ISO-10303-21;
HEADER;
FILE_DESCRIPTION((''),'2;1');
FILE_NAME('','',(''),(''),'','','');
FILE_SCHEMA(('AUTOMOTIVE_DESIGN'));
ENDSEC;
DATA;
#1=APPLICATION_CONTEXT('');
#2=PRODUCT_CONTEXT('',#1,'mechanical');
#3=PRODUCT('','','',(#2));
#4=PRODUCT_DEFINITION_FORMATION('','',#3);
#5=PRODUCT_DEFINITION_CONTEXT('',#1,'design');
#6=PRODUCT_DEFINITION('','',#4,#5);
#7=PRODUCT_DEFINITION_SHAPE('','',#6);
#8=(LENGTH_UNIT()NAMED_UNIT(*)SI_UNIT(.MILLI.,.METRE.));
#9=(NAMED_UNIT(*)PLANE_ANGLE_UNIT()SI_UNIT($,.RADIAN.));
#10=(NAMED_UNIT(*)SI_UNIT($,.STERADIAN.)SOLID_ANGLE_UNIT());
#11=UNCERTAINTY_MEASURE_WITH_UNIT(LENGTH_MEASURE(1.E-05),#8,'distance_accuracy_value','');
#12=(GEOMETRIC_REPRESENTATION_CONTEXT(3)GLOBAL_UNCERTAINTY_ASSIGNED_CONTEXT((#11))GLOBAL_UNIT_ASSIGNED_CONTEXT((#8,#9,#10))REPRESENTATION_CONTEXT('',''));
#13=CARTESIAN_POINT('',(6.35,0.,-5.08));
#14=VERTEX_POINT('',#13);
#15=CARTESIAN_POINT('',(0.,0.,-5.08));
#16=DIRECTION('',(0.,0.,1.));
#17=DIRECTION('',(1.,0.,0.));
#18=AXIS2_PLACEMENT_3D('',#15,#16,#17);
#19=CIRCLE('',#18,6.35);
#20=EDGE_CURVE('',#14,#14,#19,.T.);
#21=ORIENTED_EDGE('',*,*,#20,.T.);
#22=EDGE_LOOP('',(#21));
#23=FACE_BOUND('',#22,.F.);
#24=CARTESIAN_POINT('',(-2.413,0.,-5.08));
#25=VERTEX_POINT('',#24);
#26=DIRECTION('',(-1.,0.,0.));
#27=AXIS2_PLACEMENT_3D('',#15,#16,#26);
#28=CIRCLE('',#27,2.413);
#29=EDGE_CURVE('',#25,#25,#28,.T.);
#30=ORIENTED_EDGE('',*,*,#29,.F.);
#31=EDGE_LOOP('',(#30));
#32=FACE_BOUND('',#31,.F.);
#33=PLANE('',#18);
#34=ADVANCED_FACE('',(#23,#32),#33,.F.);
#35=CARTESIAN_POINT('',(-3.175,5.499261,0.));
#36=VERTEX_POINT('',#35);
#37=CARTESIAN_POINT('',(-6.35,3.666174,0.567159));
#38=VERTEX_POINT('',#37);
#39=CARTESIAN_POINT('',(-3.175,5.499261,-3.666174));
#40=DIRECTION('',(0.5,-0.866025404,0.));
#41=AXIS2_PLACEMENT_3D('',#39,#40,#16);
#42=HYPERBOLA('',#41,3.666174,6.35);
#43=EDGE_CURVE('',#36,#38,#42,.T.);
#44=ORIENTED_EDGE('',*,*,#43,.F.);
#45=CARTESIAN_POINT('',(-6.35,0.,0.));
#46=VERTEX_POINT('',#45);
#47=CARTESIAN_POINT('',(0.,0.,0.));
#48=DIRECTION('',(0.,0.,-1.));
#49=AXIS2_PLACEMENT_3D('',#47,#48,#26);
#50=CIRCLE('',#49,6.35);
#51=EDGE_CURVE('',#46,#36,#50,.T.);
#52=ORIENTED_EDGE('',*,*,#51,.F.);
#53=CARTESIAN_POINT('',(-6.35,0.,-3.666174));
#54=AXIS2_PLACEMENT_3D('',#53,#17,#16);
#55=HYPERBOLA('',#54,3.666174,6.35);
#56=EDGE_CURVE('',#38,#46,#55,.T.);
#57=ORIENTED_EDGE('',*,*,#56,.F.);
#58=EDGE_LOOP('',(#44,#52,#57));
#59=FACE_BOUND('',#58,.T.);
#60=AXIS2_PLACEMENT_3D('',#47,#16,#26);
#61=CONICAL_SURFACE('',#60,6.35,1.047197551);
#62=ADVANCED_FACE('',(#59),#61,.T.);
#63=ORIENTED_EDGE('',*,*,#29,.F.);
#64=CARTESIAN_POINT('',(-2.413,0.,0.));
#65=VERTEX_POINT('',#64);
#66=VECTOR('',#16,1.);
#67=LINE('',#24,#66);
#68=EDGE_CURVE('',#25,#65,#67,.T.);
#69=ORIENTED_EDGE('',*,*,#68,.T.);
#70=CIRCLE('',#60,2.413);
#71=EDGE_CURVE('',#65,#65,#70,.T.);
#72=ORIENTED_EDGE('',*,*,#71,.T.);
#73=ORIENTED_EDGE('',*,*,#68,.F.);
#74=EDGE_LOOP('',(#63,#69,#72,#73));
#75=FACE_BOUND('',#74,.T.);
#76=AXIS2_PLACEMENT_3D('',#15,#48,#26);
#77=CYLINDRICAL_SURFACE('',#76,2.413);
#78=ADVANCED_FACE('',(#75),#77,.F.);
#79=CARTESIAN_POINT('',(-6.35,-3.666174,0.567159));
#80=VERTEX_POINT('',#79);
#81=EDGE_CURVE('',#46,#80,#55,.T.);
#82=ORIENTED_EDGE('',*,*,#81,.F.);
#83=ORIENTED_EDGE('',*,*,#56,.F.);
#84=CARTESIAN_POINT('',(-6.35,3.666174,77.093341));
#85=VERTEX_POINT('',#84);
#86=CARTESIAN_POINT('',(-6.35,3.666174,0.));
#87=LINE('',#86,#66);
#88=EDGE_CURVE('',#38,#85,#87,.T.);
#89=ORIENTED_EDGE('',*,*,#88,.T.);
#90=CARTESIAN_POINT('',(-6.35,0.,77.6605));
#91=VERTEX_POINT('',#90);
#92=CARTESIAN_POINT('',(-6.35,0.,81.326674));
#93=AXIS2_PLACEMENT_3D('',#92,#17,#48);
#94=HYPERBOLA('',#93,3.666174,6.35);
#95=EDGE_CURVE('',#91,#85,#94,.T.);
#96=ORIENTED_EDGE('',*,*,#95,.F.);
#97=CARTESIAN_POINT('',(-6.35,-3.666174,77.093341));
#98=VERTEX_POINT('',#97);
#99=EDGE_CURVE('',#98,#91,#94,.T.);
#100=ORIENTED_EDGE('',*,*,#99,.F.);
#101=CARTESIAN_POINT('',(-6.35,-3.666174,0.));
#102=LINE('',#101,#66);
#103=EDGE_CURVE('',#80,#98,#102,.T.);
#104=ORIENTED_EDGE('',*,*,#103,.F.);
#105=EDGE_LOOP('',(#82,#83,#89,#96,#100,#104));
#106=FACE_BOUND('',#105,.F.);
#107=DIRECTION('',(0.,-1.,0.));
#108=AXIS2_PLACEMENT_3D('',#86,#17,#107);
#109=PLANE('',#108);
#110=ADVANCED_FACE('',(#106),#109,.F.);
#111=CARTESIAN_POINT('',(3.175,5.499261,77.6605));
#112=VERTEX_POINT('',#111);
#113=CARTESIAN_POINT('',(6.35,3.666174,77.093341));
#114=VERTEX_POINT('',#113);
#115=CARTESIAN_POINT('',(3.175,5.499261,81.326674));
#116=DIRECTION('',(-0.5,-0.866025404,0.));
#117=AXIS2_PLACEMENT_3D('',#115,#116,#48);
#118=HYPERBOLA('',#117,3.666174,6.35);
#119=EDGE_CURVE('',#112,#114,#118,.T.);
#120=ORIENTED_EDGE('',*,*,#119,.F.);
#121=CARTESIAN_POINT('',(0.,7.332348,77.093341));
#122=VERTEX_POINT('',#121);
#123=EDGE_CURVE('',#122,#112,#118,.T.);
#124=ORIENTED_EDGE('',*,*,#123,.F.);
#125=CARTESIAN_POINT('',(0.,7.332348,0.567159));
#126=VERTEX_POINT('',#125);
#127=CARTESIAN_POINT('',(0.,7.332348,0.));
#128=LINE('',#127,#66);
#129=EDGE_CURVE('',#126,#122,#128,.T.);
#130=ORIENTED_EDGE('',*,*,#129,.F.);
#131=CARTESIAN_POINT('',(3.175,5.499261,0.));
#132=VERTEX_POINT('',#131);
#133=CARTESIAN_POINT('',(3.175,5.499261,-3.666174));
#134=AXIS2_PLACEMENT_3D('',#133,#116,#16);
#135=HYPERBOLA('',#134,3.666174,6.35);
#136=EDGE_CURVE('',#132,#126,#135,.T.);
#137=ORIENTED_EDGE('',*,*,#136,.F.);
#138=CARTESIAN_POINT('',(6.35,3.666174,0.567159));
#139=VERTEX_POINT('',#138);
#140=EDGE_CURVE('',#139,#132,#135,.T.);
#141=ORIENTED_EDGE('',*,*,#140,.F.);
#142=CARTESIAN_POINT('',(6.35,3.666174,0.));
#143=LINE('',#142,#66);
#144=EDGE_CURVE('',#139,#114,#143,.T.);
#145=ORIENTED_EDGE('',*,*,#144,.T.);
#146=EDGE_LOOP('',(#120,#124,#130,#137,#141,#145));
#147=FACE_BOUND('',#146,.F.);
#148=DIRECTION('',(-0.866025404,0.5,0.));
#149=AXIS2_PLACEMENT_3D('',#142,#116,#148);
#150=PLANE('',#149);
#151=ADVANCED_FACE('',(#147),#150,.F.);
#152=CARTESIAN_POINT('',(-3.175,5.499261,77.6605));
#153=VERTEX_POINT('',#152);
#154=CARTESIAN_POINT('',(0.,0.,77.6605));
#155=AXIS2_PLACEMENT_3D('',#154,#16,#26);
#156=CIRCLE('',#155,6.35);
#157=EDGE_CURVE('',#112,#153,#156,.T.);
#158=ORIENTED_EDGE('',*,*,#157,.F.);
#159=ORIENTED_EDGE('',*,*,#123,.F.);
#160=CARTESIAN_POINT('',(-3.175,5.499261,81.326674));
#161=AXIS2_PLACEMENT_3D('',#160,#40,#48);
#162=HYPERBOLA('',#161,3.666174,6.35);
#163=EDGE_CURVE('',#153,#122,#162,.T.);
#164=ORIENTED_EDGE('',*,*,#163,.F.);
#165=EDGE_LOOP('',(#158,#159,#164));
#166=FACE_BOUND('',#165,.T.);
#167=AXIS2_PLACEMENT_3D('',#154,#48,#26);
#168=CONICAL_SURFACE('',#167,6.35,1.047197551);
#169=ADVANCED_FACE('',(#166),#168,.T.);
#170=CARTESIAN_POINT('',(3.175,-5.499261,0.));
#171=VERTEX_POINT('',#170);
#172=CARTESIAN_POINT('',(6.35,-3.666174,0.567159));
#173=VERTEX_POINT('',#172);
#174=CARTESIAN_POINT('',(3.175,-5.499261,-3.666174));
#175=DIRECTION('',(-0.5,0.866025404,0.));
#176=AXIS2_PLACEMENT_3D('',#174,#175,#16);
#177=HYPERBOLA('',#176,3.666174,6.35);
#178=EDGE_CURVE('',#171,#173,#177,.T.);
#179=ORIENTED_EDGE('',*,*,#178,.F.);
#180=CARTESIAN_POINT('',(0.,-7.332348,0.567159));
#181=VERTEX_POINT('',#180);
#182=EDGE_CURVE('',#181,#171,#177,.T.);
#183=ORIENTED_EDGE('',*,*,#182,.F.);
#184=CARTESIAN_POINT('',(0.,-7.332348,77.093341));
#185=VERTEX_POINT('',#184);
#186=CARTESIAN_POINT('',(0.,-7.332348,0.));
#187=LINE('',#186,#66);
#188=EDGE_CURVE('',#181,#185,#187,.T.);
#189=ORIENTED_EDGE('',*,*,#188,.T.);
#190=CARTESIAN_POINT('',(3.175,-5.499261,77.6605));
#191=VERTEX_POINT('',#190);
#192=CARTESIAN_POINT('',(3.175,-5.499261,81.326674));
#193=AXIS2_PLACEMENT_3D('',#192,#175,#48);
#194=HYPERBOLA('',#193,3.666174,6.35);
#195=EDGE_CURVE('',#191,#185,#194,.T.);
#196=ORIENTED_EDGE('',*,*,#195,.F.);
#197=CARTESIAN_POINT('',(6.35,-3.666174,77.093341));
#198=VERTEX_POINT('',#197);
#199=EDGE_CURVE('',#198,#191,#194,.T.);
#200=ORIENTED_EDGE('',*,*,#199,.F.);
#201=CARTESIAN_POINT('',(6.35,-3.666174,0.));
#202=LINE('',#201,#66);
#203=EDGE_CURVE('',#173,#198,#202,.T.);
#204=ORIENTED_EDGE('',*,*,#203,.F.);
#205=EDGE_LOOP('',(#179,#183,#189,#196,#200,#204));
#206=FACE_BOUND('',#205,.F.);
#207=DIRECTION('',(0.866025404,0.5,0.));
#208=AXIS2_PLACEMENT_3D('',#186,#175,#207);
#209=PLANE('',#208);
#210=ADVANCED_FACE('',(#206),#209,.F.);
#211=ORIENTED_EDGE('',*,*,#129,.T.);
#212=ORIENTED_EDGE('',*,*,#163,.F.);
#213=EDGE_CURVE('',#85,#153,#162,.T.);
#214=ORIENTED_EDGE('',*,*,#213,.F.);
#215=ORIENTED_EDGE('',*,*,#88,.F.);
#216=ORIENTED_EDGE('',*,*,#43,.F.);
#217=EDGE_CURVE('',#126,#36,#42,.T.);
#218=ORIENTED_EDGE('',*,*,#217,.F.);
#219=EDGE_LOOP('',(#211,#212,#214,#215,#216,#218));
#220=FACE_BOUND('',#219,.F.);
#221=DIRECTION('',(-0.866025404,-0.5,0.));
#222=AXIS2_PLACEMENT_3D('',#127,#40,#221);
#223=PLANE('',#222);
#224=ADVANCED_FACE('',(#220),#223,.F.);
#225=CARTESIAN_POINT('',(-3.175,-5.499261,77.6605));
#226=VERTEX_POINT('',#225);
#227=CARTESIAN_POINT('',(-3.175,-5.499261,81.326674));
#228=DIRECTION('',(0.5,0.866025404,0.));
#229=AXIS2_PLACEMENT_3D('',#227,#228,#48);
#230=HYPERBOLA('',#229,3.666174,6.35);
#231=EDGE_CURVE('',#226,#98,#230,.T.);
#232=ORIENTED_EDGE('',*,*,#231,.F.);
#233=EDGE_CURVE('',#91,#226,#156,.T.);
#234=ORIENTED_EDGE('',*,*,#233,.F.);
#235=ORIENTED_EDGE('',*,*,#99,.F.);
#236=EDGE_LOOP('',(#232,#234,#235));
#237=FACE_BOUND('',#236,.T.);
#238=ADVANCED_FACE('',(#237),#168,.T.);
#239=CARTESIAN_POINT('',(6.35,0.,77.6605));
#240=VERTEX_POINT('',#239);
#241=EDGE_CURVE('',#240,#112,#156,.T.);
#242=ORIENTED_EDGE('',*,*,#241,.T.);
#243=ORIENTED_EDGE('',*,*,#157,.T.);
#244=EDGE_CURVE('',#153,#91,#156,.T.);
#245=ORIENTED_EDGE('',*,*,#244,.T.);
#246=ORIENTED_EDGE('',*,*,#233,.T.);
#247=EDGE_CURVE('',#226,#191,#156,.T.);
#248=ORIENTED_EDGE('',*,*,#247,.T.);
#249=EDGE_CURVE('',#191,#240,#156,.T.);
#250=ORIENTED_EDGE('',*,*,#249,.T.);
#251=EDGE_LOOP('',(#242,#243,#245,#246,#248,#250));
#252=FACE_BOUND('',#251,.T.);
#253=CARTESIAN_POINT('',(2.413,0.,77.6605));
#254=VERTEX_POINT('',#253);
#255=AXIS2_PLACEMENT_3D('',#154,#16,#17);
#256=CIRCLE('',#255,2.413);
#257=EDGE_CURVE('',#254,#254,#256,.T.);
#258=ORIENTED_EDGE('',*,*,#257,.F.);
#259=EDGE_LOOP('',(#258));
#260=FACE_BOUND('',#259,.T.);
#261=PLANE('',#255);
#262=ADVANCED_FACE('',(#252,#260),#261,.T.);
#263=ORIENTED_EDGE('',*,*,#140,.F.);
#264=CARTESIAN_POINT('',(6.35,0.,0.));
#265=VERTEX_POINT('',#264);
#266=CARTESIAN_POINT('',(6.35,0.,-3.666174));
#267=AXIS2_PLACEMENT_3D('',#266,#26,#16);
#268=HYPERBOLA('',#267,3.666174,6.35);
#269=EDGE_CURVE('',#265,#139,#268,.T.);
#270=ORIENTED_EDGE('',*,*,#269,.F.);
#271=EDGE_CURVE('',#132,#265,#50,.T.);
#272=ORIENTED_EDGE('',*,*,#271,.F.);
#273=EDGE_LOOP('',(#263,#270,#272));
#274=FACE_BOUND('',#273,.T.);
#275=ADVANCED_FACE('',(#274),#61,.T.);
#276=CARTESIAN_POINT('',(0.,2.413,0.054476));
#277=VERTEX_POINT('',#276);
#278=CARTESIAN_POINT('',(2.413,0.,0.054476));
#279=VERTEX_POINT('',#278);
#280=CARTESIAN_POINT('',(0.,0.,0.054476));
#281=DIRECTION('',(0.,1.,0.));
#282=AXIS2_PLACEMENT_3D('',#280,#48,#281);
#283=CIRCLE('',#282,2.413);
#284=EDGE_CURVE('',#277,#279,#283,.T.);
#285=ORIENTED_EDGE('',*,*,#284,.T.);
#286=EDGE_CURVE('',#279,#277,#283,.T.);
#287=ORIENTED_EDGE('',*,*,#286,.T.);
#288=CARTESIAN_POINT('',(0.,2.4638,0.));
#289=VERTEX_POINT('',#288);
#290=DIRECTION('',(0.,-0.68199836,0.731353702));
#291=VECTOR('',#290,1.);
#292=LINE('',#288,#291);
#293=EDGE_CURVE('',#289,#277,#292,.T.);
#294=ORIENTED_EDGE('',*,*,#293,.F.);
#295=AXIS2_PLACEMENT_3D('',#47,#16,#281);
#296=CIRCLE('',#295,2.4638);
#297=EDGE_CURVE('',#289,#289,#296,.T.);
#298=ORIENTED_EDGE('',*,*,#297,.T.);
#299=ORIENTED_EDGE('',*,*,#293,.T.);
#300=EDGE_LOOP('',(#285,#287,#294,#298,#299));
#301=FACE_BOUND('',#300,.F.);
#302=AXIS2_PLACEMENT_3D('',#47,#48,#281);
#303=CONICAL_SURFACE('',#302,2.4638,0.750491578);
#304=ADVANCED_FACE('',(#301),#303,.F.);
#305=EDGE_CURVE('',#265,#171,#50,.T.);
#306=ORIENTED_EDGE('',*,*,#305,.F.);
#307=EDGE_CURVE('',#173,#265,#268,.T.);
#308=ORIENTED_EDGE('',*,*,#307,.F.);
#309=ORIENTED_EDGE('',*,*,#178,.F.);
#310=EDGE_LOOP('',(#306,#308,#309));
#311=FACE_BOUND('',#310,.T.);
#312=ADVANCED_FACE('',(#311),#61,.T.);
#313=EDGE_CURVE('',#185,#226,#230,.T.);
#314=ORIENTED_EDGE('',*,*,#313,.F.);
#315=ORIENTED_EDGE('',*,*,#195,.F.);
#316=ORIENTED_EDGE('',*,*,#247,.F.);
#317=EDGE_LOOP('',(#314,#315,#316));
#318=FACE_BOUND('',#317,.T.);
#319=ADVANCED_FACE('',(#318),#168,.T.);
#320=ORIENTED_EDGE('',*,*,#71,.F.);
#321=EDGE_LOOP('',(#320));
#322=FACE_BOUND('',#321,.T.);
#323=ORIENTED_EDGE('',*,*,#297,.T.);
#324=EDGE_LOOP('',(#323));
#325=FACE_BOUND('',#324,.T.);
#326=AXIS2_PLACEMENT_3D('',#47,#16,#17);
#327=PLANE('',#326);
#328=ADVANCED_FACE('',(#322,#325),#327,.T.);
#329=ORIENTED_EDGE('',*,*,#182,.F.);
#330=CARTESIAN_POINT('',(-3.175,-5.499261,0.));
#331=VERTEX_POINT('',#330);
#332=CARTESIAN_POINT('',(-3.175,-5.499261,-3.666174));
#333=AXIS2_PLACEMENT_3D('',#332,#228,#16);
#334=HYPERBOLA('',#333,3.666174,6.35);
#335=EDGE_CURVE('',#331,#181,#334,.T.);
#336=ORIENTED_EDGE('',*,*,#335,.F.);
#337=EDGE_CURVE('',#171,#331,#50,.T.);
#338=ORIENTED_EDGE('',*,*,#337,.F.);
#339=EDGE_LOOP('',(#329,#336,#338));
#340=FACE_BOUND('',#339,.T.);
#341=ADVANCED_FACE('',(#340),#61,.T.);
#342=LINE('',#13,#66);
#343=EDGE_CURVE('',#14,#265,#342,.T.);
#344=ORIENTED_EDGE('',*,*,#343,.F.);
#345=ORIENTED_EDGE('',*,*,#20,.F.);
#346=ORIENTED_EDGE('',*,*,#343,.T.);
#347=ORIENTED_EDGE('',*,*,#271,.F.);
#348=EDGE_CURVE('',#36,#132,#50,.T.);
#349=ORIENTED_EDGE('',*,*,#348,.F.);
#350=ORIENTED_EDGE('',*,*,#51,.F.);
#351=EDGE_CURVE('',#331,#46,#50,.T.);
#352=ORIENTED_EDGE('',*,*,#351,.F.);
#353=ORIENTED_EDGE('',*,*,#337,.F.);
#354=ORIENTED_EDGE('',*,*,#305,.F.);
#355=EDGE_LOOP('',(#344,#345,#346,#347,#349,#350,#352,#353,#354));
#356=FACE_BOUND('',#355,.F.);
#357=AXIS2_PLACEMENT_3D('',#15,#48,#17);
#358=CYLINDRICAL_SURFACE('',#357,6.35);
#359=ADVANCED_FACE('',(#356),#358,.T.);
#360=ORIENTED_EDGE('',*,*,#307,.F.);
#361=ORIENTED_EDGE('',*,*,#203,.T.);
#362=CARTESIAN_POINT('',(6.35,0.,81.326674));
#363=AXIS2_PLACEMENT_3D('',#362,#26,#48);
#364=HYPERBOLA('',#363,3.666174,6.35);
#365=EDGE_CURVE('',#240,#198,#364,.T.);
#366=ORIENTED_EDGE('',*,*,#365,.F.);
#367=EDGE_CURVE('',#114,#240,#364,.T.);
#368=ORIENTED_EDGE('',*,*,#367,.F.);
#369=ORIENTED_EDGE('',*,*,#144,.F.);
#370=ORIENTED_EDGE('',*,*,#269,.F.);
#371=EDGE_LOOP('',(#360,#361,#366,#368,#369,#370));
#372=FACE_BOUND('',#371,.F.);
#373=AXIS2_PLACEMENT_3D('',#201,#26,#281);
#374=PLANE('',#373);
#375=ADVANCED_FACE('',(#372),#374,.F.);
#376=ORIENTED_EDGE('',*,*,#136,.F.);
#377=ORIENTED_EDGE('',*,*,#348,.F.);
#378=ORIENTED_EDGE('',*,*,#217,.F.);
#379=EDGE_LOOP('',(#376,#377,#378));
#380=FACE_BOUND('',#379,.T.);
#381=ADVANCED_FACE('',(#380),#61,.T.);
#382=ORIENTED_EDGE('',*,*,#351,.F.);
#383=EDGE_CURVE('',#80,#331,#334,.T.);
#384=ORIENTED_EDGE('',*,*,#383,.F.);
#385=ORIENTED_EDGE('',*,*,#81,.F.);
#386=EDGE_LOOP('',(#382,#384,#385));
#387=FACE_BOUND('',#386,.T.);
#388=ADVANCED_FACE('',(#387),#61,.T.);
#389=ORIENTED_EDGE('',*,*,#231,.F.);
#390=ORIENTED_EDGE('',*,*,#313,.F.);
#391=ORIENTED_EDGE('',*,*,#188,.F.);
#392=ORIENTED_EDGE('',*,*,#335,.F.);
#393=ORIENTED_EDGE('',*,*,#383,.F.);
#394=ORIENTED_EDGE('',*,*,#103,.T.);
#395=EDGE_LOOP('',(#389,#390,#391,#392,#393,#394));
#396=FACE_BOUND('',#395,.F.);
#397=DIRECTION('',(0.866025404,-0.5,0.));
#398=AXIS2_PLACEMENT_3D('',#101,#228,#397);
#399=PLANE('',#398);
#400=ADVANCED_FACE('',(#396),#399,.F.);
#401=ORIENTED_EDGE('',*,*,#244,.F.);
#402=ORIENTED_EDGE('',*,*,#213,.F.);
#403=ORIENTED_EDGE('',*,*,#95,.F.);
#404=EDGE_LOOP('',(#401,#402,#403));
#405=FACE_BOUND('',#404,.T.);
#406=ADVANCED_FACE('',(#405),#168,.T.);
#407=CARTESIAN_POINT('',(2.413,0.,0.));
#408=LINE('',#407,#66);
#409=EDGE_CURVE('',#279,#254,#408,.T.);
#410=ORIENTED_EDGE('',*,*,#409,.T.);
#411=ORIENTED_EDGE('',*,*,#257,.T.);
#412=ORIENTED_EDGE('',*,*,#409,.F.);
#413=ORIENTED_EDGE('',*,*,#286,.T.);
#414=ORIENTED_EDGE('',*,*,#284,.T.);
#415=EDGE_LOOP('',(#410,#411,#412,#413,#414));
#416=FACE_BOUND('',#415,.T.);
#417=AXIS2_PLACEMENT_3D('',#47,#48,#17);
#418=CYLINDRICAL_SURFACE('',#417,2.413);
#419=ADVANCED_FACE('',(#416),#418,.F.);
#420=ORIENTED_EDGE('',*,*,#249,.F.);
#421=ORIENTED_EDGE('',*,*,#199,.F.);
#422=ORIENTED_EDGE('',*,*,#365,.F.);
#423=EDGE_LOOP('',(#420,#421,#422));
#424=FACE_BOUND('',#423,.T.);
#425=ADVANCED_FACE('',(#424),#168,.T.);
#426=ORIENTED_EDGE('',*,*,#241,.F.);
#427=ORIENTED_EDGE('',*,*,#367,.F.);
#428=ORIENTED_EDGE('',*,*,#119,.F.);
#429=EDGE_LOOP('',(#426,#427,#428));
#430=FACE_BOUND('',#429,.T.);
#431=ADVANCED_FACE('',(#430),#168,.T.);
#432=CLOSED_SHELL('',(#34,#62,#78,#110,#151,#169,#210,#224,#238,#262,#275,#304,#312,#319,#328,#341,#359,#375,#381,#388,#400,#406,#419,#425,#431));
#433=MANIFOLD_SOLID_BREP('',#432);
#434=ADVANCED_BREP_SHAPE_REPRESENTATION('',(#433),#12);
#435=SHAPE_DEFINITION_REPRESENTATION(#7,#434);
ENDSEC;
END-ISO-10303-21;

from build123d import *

# Parameters (mm, degrees)
SKETCH1_R               = 2.413
EXTRUDE1_DEPTH          = 77.6605
SKETCH8_OUTSIDE_W       = 305.288
SKETCH8_OUTSIDE_H       = 307.252
SKETCH8_OUTSIDE_R       = 6.35
EXTRUDE4_DEPTH          = 79.26390671
EXTRUDE4_DRAFT          = -60
MIRROR1_COPY_1_SKETCH_W = 305.288
MIRROR1_COPY_1_SKETCH_H = 307.252
MIRROR1_COPY_1_SKETCH_R = 6.35
MIRROR1_COPY_1_DEPTH    = 79.26390671
MIRROR1_COPY_1_DRAFT    = -60
BOSS_EXTRUDE1_START     = -5.08
SKETCH13_R              = 6.35
SKETCH13_R_2            = 2.413
BOSS_EXTRUDE1_DEPTH     = 5.08


with BuildPart() as part:
    # Sketch1 → Extrude1 (new body)
    with BuildSketch(Plane.XY):
        Polygon((0, 7.332348419), (-6.35, 3.666174209), (-6.35, -3.666174209), (0, -7.332348419), (6.35, -3.666174209), (6.35, 3.666174209), align=None)
        Circle(SKETCH1_R, mode=Mode.SUBTRACT)
    extrude(amount=EXTRUDE1_DEPTH)

    # Extrude3 cone 1 section (through the dimple's axis) → Extrude3 (revolve, cut)
    with BuildSketch(Plane.YZ):
        Polygon((0, 0), (2.4638, 0), (0, 2.642102028), align=None)
    revolve(axis=Axis((0, 0, 0), (0, 0, 1)), mode=Mode.SUBTRACT)


with BuildPart() as extrude4_tool:
    # Sketch8 outside → Extrude4 (with draft: the straight prism first)
    with BuildSketch(Plane(origin=(0, 0, 0), x_dir=(-1, 0, 0), z_dir=(0, 0, -1))):
        Rectangle(SKETCH8_OUTSIDE_W, SKETCH8_OUTSIDE_H)
        Circle(SKETCH8_OUTSIDE_R, mode=Mode.SUBTRACT)
    extrude(amount=-EXTRUDE4_DEPTH)
    # Extrude4: the draft: its side faces are tilted about the plane it starts from
    extrude4_sides = [extrude4_tool.faces().sort_by_distance(p)[0] for p in [
        (0, -153.626, 39.631953355),
        (-152.644, 0, 39.631953355),
        (0, 153.626, 39.631953355),
        (152.644, 0, 39.631953355),
        (6.35, 0, 39.631953355),
    ]]
    draft(extrude4_sides, Plane(origin=(0, 0, 0), x_dir=(-1, 0, 0), z_dir=(0, 0, -1)), EXTRUDE4_DRAFT)


with BuildPart() as part_1:
    add(part.part)

    # Extrude4: cut by extrude4_tool
    add(extrude4_tool.part, mode=Mode.SUBTRACT)


with BuildPart() as mirror1_copy_1_tool:
    # Mirror1 copy 1 sketch → Mirror1 copy 1 (with draft: the straight prism first)
    with BuildSketch(Plane(origin=(0, 0, 77.6605), x_dir=(-1, 0, 0), z_dir=(0, 0, 1))):
        Rectangle(MIRROR1_COPY_1_SKETCH_W, MIRROR1_COPY_1_SKETCH_H)
        Circle(MIRROR1_COPY_1_SKETCH_R, mode=Mode.SUBTRACT)
    extrude(amount=-MIRROR1_COPY_1_DEPTH)
    # Mirror1 copy 1: the draft: its side faces are tilted about the plane it starts from
    mirror1_copy_1_sides = [mirror1_copy_1_tool.faces().sort_by_distance(p)[0] for p in [
        (0, -153.626, 38.028546645),
        (-152.644, 0, 38.028546645),
        (0, 153.626, 38.028546645),
        (152.644, 0, 38.028546645),
        (6.35, 0, 38.028546645),
    ]]
    draft(mirror1_copy_1_sides, Plane(origin=(0, 0, 77.6605), x_dir=(-1, 0, 0), z_dir=(0, 0, 1)), MIRROR1_COPY_1_DRAFT)


with BuildPart() as part_2:
    add(part_1.part)

    # Mirror1 copy 1: cut by mirror1_copy_1_tool
    add(mirror1_copy_1_tool.part, mode=Mode.SUBTRACT)

    # Sketch13 → Boss-Extrude1 (add)
    with BuildSketch(Plane.XY.offset(BOSS_EXTRUDE1_START)):
        Circle(SKETCH13_R)
        with Locations(Location((0, 0, 0), (0, 0, 180))):
            Circle(SKETCH13_R_2, mode=Mode.SUBTRACT)
    extrude(amount=BOSS_EXTRUDE1_DEPTH)


solid = part_2.part
